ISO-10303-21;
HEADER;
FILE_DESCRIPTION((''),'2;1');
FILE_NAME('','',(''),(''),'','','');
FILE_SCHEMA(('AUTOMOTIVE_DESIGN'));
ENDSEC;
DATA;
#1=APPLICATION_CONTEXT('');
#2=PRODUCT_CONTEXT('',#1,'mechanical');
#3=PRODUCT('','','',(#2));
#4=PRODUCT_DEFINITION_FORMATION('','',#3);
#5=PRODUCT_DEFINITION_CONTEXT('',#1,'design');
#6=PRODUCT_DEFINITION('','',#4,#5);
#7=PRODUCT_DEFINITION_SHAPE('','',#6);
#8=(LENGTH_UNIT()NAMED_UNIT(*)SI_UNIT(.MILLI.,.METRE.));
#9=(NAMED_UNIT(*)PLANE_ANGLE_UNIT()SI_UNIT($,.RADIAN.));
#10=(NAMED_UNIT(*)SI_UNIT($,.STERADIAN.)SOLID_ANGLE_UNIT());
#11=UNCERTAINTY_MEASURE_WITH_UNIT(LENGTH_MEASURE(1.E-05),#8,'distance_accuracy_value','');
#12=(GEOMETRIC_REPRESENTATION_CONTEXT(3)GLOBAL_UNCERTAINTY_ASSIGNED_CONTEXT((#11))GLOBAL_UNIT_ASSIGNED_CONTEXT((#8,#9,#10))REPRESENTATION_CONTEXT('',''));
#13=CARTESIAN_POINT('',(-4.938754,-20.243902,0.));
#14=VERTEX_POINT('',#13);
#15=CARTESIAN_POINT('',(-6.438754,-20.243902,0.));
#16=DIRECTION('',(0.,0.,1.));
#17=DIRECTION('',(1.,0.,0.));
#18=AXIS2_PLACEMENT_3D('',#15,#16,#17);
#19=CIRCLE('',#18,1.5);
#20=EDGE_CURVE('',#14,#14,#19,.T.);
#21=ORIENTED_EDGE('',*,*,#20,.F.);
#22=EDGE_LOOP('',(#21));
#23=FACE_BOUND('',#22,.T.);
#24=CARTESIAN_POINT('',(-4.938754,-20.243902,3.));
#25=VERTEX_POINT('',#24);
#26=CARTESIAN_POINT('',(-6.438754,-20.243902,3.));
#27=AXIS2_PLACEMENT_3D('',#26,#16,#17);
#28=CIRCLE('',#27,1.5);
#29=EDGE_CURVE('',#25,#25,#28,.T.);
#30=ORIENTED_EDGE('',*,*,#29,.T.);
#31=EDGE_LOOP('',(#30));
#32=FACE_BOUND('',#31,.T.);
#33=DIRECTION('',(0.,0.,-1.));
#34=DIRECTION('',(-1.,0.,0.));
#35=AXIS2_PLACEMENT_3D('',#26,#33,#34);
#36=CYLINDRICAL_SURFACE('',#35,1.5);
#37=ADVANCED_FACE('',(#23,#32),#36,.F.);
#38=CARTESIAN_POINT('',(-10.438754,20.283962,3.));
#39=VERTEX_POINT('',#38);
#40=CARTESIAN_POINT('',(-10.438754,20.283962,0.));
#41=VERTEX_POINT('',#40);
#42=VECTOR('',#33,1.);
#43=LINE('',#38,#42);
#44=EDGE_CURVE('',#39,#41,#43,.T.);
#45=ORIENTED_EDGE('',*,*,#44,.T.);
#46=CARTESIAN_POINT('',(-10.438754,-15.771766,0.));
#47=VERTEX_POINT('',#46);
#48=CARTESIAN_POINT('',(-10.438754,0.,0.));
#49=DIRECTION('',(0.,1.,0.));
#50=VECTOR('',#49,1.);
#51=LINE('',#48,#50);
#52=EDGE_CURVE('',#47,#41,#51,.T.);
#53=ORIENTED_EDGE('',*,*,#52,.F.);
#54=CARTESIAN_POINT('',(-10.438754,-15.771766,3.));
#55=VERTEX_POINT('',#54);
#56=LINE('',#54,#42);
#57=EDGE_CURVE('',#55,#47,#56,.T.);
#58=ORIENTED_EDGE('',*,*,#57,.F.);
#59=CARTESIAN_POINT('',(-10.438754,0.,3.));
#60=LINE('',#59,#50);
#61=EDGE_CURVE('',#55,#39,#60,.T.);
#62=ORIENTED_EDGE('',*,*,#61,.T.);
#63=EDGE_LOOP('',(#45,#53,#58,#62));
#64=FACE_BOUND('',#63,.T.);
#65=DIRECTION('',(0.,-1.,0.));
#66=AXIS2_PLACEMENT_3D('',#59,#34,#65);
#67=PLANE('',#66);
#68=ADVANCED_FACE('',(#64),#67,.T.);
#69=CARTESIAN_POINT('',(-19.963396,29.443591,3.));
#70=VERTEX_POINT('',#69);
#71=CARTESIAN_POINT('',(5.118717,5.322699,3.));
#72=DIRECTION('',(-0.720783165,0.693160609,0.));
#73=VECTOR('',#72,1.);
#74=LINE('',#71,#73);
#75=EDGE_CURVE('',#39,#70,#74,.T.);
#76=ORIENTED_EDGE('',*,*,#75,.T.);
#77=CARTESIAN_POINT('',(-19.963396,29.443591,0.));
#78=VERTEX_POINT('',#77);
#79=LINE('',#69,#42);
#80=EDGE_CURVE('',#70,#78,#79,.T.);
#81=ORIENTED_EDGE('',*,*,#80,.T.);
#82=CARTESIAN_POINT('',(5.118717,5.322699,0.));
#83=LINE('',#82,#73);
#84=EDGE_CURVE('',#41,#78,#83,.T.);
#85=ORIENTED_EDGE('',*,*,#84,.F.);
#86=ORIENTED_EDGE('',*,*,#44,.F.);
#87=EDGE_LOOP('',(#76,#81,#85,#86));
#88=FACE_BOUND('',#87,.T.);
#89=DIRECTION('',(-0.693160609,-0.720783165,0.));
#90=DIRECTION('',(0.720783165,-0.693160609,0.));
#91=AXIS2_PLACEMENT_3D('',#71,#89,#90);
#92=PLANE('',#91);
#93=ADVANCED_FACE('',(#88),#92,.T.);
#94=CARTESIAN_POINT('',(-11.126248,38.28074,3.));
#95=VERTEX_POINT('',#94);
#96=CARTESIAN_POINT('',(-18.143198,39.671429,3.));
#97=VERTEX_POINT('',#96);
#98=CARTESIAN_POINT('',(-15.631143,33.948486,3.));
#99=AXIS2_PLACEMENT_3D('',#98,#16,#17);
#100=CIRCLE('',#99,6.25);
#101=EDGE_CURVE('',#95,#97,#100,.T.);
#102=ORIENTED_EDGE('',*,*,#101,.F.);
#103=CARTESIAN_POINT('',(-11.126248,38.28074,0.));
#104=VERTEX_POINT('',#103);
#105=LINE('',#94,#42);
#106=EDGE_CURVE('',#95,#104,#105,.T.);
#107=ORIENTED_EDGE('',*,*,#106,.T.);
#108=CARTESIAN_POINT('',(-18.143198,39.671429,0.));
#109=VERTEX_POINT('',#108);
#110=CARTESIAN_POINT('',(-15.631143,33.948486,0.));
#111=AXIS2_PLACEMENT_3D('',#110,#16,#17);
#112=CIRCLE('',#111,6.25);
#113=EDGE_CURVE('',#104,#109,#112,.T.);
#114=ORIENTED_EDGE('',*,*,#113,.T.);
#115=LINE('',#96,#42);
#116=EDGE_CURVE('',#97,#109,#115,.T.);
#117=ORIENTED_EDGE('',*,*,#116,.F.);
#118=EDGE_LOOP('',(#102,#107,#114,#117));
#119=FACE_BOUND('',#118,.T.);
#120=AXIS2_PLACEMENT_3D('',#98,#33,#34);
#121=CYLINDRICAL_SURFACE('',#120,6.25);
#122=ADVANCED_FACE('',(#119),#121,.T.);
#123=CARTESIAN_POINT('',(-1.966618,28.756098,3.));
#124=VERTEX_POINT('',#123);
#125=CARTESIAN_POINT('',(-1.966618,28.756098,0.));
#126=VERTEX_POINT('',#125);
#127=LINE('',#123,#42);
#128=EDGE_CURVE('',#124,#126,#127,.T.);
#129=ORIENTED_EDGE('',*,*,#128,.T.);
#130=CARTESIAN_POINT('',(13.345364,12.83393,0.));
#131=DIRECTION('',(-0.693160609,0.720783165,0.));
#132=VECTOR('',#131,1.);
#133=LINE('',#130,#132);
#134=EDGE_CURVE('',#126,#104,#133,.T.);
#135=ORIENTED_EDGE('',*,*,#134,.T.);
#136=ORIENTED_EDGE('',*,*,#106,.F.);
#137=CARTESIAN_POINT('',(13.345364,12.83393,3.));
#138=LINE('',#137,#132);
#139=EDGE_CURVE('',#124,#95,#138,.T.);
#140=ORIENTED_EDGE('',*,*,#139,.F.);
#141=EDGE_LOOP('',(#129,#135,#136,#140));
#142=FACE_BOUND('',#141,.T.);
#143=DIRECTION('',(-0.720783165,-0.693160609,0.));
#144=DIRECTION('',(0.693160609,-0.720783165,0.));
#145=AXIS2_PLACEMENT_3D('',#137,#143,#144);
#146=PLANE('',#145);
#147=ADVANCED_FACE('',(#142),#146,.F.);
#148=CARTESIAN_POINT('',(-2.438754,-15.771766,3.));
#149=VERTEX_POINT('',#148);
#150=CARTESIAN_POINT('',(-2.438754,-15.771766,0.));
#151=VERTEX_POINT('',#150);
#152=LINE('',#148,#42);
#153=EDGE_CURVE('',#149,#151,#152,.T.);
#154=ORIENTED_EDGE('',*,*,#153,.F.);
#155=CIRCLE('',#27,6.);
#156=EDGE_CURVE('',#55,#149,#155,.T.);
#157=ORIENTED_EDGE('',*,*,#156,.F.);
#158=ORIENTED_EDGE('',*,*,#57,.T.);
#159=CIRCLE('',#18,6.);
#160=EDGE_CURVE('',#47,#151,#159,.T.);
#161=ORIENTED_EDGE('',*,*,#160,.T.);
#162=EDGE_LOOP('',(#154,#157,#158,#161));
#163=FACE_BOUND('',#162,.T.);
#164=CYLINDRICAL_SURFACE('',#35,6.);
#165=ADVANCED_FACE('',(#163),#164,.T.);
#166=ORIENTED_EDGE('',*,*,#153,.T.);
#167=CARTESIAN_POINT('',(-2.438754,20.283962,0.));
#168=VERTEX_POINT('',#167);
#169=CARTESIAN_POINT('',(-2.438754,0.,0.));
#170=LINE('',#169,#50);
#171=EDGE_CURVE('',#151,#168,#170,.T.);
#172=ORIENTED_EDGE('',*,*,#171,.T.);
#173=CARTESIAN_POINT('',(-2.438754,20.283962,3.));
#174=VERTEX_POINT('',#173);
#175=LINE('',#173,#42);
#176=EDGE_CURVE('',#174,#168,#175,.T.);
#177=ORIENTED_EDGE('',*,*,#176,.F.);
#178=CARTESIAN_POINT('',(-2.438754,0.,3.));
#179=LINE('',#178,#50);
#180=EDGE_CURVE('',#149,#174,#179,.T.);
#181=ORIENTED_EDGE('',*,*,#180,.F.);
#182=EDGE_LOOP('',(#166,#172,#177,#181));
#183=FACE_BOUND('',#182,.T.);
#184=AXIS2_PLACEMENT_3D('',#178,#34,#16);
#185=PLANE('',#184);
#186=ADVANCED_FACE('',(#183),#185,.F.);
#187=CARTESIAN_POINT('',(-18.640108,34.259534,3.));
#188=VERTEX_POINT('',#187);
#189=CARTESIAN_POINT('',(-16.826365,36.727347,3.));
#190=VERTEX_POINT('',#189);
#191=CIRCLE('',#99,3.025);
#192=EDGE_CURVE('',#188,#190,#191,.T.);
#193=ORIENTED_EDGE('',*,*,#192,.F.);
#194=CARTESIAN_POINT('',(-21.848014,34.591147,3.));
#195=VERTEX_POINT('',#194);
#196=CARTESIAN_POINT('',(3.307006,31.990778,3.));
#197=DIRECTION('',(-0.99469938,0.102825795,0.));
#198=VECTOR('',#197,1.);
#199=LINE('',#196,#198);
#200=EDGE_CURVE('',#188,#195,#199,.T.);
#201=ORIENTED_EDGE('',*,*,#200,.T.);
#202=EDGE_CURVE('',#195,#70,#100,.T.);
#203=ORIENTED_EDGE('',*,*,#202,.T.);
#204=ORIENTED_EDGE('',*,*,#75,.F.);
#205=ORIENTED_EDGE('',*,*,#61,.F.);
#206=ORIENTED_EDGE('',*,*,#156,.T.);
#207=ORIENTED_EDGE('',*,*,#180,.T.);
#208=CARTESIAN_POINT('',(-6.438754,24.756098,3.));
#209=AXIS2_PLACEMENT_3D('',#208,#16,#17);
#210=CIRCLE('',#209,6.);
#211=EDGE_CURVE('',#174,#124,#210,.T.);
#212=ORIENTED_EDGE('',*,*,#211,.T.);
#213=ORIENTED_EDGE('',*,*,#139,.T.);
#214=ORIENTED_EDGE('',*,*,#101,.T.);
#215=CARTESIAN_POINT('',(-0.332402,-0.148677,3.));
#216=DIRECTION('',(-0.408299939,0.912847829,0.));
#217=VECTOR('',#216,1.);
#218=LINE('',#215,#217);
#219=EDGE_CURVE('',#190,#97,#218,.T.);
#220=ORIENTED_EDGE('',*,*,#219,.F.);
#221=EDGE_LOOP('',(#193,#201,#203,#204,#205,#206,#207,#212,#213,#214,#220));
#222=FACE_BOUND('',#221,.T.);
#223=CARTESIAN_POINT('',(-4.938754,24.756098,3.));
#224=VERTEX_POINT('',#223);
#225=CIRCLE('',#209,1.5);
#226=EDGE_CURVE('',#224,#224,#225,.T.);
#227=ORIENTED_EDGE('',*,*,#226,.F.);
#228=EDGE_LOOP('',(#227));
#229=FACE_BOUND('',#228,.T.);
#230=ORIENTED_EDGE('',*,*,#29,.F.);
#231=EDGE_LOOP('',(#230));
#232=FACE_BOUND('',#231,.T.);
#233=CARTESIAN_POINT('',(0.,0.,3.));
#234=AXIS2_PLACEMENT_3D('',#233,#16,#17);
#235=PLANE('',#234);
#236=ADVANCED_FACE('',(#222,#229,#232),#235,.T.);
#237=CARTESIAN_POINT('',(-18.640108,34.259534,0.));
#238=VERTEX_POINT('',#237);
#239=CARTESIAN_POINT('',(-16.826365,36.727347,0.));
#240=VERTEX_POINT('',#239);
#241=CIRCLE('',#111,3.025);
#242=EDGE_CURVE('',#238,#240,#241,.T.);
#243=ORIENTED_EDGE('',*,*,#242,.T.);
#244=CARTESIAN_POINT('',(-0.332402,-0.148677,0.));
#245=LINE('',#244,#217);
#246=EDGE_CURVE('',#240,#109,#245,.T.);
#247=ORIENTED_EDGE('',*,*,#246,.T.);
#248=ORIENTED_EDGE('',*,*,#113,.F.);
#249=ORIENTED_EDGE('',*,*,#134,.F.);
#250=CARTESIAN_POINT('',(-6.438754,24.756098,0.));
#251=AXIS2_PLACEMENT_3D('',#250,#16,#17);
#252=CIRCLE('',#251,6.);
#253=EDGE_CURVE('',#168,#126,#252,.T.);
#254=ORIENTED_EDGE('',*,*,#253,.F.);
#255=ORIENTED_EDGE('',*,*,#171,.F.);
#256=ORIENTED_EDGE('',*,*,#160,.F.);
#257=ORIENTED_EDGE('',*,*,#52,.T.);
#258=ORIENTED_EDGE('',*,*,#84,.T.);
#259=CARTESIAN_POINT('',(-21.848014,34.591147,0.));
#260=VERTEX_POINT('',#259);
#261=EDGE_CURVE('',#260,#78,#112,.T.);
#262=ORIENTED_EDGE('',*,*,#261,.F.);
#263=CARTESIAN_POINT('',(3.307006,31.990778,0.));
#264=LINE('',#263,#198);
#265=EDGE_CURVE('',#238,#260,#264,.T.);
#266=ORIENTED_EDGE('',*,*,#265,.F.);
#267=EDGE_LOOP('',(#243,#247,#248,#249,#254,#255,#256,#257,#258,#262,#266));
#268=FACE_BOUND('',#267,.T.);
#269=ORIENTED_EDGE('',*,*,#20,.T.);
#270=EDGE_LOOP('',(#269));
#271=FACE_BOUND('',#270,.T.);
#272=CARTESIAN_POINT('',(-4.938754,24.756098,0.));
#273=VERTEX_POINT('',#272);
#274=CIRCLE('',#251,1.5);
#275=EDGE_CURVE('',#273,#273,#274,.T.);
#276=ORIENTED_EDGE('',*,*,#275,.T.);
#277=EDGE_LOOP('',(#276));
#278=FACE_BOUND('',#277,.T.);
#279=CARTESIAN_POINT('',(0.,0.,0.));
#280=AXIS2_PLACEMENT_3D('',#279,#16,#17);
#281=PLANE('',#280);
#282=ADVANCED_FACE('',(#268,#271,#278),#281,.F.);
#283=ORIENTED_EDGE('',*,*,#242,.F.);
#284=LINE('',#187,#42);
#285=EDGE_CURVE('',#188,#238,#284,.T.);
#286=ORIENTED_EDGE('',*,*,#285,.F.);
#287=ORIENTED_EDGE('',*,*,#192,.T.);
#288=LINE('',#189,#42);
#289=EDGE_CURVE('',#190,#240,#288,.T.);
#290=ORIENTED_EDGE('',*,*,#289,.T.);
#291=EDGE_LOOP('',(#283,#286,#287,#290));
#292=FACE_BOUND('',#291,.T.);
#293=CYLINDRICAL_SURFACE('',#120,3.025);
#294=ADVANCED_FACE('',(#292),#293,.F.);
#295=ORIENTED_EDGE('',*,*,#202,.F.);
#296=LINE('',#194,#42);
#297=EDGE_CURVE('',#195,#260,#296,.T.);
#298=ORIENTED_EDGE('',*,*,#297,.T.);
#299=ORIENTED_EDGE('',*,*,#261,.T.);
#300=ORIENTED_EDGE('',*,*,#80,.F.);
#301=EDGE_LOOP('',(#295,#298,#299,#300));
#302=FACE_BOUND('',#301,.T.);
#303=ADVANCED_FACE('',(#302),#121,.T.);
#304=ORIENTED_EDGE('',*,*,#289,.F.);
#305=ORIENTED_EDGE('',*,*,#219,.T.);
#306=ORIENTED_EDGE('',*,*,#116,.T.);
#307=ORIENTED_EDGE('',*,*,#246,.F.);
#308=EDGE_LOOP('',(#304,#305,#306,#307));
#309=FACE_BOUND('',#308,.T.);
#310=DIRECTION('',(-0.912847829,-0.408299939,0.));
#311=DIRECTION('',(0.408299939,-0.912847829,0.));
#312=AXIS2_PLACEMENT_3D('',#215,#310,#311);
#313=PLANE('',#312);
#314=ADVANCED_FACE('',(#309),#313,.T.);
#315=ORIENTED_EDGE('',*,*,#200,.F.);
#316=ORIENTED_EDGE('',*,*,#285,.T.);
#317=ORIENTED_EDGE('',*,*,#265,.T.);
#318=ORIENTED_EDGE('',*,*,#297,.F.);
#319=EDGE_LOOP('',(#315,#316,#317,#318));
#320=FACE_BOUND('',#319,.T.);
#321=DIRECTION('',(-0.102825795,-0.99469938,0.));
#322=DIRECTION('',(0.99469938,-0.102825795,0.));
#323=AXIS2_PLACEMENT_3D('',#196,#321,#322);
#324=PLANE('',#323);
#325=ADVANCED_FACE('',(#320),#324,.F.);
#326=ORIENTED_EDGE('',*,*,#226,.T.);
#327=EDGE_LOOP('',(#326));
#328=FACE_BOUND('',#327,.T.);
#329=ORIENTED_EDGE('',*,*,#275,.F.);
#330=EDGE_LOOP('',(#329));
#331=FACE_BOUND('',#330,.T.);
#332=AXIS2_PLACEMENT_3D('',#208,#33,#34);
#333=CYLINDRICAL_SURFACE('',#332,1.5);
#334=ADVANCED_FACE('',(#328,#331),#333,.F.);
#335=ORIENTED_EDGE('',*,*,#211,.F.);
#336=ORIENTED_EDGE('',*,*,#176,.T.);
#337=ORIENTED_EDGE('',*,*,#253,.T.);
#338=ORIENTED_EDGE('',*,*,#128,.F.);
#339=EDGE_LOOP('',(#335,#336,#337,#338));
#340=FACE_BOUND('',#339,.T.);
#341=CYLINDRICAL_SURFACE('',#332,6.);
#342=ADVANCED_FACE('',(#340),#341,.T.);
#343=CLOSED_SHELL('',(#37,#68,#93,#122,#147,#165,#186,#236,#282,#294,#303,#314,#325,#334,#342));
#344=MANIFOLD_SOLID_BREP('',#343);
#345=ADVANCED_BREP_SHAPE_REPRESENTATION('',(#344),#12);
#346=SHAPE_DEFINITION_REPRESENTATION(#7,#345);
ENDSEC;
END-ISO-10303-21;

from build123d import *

# Parameters (mm, degrees)
ESQUISSE1_R        = 1.5
BOSS_EXTRU_1_DEPTH = 3


with BuildPart() as part:
    # Esquisse1 → Boss.-Extru.1 (new body)
    with BuildSketch(Plane.XY):
        with BuildLine():
            Line((-10.438754388, 20.283961606), (-10.438754388, -0.112631187))
            Line((-10.438754388, -0.112631187), (-10.438754388, -15.771766484))
            ThreePointArc((-10.438754388, -15.771766484), (-6.438754388, -26.243902439), (-2.438754388, -15.771766484))
            Line((-2.438754388, -15.771766484), (-2.438754388, 20.283961606))
            ThreePointArc((-2.438754388, 20.283961606), (-0.448049603, 24.422247026), (-1.966618433, 28.756097561))
            Line((-1.966618433, 28.756097561), (-2.267139353, 29.068594286))
            Line((-2.267139353, 29.068594286), (-11.126247763, 38.28073952))
            ThreePointArc((-11.126247763, 38.28073952), (-14.416088568, 40.079239654), (-18.143198107, 39.671428739))
            Line((-18.143198107, 39.671428739), (-16.826364742, 36.727346795))
            ThreePointArc((-16.826364742, 36.727346795), (-13.967550368, 36.474962725), (-12.606142543, 33.948485716))
            ThreePointArc((-12.606142543, 33.948485716), (-15.786873062, 30.92749697), (-18.640108166, 34.259533746))
            Line((-18.640108166, 34.259533746), (-21.848013666, 34.591146934))
            ThreePointArc((-21.848013666, 34.591146934), (-21.500157994, 31.799728487), (-19.963396347, 29.443590936))
            Line((-19.963396347, 29.443590936), (-10.751251112, 20.584482526))
            Line((-10.751251112, 20.584482526), (-10.438754388, 20.283961606))
        make_face()
        with Locations((-6.438754388, -20.243902439)):
            Circle(ESQUISSE1_R, mode=Mode.SUBTRACT)
        with Locations((-6.438754388, 24.756097561)):
            Circle(ESQUISSE1_R, mode=Mode.SUBTRACT)
    extrude(amount=BOSS_EXTRU_1_DEPTH)


solid = part.part
